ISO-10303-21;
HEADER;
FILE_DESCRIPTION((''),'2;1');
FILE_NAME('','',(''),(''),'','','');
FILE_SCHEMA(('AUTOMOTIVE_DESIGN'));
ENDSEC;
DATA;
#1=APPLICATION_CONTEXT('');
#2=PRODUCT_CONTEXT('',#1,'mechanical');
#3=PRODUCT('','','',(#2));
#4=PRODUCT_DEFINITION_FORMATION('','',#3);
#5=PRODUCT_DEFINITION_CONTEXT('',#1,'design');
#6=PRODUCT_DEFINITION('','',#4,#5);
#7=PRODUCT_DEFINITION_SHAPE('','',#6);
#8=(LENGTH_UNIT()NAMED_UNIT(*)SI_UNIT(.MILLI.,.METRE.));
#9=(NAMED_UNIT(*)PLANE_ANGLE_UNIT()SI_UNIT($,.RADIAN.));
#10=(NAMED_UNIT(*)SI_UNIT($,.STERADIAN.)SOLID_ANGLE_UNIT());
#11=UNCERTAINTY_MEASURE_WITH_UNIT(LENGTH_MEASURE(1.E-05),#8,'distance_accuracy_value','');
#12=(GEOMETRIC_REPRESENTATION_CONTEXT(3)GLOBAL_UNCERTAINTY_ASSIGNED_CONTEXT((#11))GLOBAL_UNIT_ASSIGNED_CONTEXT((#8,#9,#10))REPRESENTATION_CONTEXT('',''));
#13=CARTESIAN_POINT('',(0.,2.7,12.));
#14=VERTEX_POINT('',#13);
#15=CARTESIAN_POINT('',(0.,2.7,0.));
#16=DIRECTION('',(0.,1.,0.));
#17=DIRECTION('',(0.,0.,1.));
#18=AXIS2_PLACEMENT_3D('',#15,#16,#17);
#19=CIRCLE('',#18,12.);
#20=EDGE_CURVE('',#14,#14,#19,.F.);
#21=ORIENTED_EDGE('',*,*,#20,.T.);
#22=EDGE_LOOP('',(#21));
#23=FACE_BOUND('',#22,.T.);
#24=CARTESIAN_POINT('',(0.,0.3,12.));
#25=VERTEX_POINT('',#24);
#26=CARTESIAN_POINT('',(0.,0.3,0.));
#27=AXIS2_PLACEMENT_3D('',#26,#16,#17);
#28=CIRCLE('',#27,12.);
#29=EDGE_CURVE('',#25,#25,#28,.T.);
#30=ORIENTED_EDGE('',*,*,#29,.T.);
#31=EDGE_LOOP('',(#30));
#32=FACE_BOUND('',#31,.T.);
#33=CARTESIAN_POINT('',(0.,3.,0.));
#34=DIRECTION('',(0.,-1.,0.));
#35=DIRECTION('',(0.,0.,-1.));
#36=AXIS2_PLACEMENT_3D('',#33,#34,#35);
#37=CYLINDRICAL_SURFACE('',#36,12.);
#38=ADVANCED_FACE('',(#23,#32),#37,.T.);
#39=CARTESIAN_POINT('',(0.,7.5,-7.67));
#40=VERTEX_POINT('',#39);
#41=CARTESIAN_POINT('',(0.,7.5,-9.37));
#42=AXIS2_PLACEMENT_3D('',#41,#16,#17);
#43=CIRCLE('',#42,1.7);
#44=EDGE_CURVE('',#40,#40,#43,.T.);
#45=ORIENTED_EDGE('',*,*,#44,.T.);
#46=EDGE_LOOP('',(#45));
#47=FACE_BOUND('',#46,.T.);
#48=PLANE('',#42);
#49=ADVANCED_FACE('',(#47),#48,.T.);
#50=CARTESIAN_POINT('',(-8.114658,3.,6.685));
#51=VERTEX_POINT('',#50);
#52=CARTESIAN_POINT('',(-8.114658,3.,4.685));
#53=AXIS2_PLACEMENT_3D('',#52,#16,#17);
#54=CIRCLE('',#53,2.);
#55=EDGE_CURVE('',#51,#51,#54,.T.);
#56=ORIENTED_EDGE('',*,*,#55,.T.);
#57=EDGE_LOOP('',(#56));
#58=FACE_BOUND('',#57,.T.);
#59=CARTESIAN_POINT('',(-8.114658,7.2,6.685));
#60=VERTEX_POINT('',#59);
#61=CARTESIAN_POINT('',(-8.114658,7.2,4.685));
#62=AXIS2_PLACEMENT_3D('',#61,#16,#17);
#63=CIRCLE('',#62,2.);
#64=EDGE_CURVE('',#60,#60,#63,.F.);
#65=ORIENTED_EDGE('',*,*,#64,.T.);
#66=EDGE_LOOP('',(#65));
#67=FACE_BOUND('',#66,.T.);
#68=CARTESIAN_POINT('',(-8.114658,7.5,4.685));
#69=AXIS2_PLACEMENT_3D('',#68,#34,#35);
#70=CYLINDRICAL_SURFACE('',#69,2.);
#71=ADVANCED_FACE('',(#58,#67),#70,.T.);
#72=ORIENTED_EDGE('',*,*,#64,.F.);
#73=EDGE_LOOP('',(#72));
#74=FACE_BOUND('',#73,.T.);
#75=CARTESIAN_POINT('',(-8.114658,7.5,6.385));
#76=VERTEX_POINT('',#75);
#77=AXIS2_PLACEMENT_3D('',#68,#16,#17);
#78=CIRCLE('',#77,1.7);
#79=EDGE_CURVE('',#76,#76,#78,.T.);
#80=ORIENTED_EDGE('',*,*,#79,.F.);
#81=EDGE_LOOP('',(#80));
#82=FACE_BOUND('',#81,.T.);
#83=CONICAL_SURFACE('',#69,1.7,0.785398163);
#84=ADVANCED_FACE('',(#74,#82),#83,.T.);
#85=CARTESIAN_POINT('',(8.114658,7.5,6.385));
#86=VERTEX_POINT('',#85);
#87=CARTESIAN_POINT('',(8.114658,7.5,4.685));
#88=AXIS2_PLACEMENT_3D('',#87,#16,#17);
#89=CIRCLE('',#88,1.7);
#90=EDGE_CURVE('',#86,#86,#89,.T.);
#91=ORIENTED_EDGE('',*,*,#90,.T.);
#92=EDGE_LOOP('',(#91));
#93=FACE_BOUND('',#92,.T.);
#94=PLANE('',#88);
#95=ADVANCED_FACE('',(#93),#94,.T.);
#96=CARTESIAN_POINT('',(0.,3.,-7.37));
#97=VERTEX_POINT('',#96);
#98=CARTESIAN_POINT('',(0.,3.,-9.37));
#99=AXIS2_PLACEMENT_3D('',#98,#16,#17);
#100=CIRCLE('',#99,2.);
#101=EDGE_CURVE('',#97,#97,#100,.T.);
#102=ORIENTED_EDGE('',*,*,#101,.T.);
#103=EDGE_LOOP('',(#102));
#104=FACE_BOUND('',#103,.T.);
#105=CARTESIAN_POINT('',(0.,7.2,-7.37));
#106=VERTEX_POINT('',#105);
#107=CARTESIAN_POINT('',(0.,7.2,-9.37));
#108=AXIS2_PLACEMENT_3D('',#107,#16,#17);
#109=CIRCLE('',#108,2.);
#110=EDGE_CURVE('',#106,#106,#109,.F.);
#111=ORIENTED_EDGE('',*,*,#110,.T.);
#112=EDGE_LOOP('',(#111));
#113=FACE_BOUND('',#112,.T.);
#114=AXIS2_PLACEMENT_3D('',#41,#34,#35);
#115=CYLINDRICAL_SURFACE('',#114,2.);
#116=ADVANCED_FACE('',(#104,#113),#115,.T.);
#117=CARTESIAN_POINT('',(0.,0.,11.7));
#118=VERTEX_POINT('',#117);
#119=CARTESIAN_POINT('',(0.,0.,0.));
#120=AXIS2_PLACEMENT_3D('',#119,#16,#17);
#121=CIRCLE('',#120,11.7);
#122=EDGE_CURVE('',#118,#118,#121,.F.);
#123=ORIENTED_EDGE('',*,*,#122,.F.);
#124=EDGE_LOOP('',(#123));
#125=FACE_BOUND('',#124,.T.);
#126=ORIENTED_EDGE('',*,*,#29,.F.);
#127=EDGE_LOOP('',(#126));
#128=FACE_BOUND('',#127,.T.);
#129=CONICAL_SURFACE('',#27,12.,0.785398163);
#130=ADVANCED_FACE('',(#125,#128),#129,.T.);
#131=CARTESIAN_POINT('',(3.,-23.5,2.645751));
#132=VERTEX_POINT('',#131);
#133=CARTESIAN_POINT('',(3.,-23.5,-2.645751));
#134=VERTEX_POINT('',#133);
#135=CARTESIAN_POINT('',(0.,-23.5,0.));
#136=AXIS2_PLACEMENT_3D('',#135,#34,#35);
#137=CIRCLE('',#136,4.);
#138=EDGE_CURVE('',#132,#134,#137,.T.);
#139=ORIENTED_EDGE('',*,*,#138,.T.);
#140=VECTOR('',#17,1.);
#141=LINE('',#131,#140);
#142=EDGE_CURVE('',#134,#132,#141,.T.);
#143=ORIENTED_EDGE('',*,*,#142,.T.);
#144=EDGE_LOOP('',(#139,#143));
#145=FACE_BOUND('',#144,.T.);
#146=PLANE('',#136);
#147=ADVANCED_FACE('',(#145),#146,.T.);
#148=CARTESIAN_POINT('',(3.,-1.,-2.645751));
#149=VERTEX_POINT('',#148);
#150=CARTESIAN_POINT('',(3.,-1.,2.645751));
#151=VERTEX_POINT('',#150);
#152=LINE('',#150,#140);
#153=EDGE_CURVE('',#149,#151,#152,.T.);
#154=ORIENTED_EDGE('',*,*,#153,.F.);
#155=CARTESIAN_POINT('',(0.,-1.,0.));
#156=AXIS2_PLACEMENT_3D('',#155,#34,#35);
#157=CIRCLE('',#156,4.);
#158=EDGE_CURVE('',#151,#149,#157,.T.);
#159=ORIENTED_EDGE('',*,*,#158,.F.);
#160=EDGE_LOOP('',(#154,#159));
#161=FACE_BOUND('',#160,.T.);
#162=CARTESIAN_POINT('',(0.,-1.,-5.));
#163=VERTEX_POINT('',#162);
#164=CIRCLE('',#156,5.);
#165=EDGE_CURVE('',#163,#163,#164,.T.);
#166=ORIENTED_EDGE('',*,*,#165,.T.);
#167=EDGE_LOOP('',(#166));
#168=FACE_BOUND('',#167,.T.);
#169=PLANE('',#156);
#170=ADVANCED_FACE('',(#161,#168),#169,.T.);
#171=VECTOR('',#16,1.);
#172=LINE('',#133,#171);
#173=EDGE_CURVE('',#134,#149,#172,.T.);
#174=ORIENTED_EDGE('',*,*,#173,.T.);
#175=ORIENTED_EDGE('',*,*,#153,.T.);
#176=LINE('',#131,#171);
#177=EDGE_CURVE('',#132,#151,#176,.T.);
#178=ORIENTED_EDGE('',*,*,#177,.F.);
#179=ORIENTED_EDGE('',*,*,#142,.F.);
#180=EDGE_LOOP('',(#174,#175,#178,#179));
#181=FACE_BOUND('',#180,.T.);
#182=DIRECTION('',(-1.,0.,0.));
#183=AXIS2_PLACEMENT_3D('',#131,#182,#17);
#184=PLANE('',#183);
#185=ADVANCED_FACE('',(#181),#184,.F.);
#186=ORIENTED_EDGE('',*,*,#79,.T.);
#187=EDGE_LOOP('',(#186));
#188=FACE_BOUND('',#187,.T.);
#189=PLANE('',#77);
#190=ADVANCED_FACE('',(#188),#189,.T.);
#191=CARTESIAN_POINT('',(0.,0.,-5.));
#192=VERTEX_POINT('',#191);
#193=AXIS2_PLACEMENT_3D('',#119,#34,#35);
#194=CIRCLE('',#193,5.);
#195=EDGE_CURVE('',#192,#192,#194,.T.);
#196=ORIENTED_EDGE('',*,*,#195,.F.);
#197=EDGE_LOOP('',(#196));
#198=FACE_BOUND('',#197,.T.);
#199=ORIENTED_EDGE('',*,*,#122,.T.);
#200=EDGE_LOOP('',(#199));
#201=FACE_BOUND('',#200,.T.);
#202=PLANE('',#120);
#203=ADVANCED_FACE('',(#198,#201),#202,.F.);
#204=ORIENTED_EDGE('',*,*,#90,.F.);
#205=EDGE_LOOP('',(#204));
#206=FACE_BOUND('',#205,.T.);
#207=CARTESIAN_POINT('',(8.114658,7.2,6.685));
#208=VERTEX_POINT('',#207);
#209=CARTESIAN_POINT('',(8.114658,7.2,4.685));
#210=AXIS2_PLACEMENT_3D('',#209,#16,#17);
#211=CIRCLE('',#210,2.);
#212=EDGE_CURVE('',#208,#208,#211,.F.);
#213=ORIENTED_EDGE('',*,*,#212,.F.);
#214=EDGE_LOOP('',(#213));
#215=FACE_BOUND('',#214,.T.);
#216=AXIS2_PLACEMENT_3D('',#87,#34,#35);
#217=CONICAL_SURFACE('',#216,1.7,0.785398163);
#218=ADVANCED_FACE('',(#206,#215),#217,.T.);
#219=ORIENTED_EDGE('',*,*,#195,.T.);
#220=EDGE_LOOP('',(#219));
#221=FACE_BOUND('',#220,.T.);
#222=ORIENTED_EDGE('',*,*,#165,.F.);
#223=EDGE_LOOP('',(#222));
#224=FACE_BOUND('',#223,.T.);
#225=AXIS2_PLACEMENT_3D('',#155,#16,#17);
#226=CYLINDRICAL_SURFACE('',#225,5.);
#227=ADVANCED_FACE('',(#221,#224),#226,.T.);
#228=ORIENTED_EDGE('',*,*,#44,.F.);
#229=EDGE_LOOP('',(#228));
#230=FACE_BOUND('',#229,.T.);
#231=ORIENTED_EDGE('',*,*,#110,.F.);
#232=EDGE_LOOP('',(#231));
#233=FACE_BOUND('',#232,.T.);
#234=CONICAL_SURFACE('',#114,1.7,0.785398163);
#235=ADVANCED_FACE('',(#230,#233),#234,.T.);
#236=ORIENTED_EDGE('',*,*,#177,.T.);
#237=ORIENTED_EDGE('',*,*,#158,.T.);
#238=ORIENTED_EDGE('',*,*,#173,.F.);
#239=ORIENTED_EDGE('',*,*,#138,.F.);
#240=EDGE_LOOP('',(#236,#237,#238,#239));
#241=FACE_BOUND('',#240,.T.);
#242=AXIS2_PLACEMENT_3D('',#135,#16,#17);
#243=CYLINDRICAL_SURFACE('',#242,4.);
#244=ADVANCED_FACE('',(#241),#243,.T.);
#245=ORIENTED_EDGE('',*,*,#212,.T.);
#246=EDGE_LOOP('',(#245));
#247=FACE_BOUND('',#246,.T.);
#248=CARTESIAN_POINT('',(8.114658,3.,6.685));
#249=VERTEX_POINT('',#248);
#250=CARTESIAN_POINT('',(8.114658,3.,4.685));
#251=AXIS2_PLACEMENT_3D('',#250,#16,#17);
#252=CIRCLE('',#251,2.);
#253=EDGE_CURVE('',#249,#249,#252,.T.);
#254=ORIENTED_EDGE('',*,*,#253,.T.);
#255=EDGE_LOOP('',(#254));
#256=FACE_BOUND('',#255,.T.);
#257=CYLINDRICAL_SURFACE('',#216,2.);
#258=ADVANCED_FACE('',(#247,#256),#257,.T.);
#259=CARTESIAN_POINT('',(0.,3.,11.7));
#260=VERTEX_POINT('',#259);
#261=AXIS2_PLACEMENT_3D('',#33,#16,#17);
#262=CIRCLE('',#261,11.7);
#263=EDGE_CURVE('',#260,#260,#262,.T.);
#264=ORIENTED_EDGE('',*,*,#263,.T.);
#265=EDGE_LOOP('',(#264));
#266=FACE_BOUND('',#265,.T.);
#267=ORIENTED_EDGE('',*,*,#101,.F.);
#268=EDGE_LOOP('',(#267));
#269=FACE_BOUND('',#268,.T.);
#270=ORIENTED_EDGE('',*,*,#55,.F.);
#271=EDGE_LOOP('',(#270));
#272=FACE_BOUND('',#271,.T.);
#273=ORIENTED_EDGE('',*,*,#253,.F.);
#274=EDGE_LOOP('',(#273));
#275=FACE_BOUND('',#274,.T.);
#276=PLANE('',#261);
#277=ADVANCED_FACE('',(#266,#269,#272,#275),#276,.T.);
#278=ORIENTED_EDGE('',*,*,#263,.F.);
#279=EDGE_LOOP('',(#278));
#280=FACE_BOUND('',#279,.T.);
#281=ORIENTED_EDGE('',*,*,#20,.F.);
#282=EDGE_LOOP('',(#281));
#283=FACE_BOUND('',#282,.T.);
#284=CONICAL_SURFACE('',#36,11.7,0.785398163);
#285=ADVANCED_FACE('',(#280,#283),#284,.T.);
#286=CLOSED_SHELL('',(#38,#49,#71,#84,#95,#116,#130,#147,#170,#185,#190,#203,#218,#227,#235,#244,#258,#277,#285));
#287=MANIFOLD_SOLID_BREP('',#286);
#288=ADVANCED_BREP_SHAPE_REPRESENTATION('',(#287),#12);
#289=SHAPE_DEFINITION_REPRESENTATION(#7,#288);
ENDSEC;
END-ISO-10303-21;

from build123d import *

# Parameters (mm, degrees)
SKETCH1_R           = 12
BOSS_EXTRUDE1_DEPTH = 3
SKETCH2_R           = 2
BOSS_EXTRUDE2_DEPTH = 4.5
SKETCH3_R           = 5
BOSS_EXTRUDE3_DEPTH = 1
BOSS_EXTRUDE4_DEPTH = 22.5
CHAMFER1_SIZE       = 0.3


with BuildPart() as part:
    # Sketch1 → Boss-Extrude1 (new body)
    with BuildSketch(Plane(origin=(0, 0, 0), x_dir=(1, 0, 0), z_dir=(0, 1, 0))):
        with Locations(Location((0, 0, 0), (0, 0, 270))):
            Circle(SKETCH1_R)
    extrude(amount=BOSS_EXTRUDE1_DEPTH)

    # Sketch2 → Boss-Extrude2 (add)
    with BuildSketch(Plane(origin=(0, 3, 0), x_dir=(1, 0, 0), z_dir=(0, 1, 0))):
        with Locations(Location((0, 9.37, 0), (0, 0, 270))):
            Circle(SKETCH2_R)
        with Locations(Location((-8.114658033, -4.685, 0), (0, 0, 270))):
            Circle(SKETCH2_R)
        with Locations(Location((8.114658033, -4.685, 0), (0, 0, 270))):
            Circle(SKETCH2_R)
    extrude(amount=BOSS_EXTRUDE2_DEPTH)

    # Sketch3 → Boss-Extrude3 (add)
    with BuildSketch(Plane.XZ):
        with Locations(Location((0, 0, 0), (0, 0, 270))):
            Circle(SKETCH3_R)
    extrude(amount=BOSS_EXTRUDE3_DEPTH)

    # Sketch4 → Boss-Extrude4 (add)
    with BuildSketch(Plane.XZ.offset(1)):
        with BuildLine():
            Line((3, 2.645751311), (3, -2.645751311))
            ThreePointArc((3, -2.645751311), (-4, 0), (3, 2.645751311))
        make_face()
    extrude(amount=BOSS_EXTRUDE4_DEPTH)

    # Chamfer1
    chamfer1_edges = [part.edges().sort_by_distance(p)[0] for p in [
        (-8.114658033, 7.5, 2.685),
        (8.114658033, 7.5, 2.685),
        (0, 0, -12),
        (0, 3, -12),
        (0, 7.5, -11.37),
    ]]
    chamfer(chamfer1_edges, length=CHAMFER1_SIZE)


solid = part.part
